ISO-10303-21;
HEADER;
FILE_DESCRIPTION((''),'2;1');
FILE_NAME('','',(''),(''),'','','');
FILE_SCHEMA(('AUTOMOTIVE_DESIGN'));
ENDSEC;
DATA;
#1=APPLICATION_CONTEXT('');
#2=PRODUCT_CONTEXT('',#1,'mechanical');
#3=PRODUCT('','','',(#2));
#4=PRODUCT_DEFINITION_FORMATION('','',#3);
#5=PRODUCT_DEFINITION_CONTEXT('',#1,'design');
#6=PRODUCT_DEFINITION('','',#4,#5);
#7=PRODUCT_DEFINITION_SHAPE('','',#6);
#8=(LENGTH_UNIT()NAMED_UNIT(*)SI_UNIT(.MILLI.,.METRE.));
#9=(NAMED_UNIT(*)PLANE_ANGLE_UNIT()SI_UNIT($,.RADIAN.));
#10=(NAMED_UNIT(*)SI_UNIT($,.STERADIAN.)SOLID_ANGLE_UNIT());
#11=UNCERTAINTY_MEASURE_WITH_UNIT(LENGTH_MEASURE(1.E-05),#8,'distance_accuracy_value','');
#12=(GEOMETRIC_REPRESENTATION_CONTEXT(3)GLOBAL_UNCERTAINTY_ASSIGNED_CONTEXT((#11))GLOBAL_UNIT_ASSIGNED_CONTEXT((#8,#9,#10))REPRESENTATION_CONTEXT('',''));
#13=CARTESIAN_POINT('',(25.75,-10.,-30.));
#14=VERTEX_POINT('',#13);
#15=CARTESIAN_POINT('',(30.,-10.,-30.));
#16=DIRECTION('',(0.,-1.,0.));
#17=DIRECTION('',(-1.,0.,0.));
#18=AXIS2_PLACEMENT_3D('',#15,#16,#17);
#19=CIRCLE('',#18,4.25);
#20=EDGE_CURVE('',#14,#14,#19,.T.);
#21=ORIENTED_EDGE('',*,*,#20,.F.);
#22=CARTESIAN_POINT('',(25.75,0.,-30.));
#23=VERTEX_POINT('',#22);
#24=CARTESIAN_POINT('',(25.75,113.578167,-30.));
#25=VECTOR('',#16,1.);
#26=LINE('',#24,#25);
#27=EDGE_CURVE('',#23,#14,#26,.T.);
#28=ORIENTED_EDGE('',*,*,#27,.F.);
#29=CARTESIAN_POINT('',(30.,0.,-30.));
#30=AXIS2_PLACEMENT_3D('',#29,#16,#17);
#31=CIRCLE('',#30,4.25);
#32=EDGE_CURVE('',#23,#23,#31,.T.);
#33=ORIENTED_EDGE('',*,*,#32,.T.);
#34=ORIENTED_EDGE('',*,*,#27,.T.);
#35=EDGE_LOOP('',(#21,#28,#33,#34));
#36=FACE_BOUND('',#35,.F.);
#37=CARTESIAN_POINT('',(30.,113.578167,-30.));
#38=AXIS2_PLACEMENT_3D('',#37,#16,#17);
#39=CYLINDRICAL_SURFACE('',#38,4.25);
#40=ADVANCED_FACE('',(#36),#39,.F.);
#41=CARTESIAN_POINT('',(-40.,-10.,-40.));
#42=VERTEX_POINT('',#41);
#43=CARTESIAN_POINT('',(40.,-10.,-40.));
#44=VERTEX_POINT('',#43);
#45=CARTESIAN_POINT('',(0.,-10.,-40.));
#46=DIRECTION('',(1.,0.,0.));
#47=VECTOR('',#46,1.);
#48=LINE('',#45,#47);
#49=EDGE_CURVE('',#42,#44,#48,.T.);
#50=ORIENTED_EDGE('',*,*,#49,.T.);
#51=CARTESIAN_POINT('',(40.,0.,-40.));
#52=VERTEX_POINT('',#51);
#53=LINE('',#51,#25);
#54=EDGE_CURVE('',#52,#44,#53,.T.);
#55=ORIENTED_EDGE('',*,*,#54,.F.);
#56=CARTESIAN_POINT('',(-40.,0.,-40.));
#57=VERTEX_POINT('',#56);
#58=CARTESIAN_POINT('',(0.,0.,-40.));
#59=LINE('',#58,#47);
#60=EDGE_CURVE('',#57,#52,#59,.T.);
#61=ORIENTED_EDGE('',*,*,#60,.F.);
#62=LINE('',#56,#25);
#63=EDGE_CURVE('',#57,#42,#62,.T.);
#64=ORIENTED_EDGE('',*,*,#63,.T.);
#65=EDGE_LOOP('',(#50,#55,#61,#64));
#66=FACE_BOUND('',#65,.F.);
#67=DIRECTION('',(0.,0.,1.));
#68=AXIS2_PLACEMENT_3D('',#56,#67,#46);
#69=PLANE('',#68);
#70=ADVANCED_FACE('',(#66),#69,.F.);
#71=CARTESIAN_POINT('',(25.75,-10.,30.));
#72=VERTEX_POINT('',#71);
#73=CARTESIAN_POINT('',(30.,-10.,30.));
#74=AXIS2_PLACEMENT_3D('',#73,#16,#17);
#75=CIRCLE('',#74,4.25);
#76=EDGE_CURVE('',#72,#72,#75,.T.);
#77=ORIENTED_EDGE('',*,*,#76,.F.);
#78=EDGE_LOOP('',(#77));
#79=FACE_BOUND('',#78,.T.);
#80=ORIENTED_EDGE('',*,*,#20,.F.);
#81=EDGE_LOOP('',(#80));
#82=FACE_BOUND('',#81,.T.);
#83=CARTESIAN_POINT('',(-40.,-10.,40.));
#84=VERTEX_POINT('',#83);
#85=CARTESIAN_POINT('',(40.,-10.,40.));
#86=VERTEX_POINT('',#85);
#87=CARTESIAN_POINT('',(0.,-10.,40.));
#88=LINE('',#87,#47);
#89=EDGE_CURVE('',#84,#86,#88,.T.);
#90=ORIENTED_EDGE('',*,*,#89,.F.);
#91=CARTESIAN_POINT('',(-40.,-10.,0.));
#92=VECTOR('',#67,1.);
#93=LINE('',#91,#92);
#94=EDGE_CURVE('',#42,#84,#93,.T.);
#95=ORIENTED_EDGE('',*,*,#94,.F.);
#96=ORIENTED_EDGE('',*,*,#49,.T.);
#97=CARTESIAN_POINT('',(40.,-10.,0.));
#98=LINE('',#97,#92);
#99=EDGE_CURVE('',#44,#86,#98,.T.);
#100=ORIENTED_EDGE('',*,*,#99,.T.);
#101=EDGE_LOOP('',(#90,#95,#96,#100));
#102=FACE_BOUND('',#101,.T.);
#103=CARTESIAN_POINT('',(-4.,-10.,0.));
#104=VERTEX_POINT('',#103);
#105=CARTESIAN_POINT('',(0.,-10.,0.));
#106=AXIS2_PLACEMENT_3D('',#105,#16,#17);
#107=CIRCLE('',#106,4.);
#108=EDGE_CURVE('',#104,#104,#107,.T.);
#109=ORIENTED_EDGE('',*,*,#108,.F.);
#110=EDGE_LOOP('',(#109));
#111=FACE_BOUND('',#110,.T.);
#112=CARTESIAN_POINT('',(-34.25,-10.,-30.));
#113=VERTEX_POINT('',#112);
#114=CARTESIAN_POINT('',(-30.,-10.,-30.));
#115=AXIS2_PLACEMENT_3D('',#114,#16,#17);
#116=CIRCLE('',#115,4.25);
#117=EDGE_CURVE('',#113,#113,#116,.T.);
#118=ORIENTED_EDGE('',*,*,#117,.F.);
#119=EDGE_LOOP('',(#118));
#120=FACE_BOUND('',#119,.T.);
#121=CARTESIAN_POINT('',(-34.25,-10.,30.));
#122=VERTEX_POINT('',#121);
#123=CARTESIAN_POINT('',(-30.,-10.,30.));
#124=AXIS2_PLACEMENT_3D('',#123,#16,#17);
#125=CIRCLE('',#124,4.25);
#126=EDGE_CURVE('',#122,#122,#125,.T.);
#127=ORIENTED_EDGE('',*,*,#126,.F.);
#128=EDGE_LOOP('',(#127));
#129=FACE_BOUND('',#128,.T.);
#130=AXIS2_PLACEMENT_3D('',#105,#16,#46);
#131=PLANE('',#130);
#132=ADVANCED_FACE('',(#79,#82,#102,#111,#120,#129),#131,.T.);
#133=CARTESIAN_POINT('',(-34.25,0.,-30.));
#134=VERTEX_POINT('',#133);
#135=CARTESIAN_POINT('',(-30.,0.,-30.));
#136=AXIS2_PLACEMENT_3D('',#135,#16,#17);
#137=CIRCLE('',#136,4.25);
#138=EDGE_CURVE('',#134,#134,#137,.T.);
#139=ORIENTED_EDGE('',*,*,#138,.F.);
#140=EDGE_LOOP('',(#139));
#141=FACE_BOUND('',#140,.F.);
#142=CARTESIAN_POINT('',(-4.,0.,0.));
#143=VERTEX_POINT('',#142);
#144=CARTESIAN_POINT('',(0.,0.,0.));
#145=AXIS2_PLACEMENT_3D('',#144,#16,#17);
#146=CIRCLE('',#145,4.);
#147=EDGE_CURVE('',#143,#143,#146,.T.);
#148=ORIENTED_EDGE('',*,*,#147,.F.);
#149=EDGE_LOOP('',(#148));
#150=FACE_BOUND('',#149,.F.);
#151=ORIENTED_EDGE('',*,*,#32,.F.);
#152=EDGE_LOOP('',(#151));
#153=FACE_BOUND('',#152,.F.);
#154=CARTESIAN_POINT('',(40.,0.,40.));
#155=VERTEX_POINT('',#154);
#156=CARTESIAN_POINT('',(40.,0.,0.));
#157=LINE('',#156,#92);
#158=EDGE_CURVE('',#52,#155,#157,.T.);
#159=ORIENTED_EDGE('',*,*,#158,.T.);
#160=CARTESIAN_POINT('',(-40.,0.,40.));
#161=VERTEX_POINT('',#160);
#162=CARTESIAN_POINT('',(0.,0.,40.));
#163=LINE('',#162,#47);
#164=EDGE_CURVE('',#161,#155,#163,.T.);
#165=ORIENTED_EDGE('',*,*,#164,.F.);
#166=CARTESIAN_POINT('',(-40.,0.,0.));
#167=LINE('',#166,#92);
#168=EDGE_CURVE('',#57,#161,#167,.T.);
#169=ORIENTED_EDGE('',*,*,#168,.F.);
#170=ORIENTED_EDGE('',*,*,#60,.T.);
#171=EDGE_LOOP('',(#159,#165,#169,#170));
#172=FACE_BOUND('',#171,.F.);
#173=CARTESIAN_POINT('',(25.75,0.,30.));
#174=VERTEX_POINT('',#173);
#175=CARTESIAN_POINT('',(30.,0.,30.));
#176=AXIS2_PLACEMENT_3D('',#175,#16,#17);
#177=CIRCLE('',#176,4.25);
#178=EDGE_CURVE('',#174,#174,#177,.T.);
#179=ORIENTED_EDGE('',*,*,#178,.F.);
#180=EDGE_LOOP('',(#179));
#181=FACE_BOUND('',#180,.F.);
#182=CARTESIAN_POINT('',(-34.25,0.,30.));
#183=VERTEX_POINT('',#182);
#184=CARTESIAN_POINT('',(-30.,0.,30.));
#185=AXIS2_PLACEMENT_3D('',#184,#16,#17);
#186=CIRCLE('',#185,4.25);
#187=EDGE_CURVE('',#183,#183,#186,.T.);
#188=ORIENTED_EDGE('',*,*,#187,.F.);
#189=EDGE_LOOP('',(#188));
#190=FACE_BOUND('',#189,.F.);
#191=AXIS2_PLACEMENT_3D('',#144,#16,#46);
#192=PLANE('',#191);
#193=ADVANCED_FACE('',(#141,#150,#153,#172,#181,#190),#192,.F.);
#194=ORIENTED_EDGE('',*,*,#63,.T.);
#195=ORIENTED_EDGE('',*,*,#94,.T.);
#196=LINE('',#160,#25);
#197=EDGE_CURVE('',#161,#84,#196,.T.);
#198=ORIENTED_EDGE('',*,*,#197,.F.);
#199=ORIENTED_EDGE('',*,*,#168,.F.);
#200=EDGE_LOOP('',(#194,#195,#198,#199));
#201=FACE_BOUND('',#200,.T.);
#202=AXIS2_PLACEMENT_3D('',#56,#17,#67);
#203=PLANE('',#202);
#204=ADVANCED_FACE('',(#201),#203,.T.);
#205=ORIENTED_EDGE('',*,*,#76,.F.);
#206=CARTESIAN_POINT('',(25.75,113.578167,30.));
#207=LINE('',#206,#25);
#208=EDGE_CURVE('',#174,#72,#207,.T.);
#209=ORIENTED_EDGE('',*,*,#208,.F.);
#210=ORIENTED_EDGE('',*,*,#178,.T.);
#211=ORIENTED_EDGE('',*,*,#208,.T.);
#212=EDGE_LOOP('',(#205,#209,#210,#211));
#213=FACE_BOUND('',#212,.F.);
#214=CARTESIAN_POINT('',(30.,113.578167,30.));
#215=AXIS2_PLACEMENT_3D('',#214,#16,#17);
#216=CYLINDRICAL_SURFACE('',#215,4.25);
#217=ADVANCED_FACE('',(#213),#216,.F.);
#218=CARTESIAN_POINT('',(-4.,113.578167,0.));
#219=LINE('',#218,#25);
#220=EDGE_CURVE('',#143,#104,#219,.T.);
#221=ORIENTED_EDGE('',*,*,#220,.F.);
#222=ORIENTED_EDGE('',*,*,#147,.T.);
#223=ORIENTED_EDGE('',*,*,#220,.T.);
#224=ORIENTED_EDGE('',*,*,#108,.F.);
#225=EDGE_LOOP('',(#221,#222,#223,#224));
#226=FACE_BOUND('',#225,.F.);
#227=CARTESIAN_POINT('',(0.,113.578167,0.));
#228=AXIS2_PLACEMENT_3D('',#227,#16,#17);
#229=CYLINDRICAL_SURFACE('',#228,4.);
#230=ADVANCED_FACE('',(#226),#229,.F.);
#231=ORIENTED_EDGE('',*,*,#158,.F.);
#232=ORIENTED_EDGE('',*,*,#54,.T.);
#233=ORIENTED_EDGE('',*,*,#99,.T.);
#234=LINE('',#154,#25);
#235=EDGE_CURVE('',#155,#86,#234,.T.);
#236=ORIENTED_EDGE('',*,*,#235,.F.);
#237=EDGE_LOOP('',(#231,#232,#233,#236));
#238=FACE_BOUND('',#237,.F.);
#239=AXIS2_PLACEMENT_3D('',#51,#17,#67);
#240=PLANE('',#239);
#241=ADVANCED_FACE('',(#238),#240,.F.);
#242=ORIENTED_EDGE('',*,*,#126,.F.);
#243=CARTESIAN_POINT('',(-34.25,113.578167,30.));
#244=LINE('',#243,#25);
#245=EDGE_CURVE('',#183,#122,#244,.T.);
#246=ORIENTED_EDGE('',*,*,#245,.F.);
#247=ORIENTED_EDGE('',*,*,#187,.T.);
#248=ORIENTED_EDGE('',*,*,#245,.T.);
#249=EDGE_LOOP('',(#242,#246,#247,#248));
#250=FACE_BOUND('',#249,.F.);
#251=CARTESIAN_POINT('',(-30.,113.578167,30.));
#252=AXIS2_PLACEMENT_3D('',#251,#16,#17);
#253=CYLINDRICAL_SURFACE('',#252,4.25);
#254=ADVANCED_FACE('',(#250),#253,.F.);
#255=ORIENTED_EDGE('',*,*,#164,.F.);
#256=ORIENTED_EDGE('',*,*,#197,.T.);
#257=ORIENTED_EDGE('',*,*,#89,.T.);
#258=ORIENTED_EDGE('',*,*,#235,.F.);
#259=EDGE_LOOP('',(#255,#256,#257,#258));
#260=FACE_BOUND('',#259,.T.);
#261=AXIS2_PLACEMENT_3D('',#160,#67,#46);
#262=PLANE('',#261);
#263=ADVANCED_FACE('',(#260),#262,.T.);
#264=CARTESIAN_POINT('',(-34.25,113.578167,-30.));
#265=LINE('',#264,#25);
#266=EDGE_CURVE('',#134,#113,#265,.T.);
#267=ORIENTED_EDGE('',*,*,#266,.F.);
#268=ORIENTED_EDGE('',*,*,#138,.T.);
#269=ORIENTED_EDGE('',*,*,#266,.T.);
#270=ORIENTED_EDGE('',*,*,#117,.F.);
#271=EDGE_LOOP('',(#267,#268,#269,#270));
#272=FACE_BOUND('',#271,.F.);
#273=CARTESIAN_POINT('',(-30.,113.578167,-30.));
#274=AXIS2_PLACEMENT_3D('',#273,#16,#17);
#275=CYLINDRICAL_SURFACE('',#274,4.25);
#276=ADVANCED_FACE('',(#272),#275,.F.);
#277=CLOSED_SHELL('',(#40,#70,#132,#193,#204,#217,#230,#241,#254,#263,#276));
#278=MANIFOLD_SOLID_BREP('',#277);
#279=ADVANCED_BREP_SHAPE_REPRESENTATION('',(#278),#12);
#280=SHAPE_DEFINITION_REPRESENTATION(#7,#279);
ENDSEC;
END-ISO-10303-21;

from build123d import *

# Parameters (mm, degrees)
F0_W     = 80
F0_H     = 80
F1_DEPTH = 10
F2_D     = 8.5
F4_D     = 8


with BuildPart() as f1:
    # F0 (on Front) → F1 (new body)
    with BuildSketch(Plane.XZ):
        Rectangle(F0_W, F0_H)
    extrude(amount=F1_DEPTH)

    # F2 (through all)
    with Locations(Plane(origin=(0, 0, 0), x_dir=(1, 0, 0), z_dir=(0, 1, 0))):
        with Locations((-30, 30), (30, 30), (30, -30), (-30, -30)):
            Hole(F2_D / 2)

    # F4 (through all)
    with Locations(Plane(origin=(0, 0, 0), x_dir=(1, 0, 0), z_dir=(0, 1, 0))):
        with Locations((0, 0)):
            Hole(F4_D / 2)


solid = f1.part
